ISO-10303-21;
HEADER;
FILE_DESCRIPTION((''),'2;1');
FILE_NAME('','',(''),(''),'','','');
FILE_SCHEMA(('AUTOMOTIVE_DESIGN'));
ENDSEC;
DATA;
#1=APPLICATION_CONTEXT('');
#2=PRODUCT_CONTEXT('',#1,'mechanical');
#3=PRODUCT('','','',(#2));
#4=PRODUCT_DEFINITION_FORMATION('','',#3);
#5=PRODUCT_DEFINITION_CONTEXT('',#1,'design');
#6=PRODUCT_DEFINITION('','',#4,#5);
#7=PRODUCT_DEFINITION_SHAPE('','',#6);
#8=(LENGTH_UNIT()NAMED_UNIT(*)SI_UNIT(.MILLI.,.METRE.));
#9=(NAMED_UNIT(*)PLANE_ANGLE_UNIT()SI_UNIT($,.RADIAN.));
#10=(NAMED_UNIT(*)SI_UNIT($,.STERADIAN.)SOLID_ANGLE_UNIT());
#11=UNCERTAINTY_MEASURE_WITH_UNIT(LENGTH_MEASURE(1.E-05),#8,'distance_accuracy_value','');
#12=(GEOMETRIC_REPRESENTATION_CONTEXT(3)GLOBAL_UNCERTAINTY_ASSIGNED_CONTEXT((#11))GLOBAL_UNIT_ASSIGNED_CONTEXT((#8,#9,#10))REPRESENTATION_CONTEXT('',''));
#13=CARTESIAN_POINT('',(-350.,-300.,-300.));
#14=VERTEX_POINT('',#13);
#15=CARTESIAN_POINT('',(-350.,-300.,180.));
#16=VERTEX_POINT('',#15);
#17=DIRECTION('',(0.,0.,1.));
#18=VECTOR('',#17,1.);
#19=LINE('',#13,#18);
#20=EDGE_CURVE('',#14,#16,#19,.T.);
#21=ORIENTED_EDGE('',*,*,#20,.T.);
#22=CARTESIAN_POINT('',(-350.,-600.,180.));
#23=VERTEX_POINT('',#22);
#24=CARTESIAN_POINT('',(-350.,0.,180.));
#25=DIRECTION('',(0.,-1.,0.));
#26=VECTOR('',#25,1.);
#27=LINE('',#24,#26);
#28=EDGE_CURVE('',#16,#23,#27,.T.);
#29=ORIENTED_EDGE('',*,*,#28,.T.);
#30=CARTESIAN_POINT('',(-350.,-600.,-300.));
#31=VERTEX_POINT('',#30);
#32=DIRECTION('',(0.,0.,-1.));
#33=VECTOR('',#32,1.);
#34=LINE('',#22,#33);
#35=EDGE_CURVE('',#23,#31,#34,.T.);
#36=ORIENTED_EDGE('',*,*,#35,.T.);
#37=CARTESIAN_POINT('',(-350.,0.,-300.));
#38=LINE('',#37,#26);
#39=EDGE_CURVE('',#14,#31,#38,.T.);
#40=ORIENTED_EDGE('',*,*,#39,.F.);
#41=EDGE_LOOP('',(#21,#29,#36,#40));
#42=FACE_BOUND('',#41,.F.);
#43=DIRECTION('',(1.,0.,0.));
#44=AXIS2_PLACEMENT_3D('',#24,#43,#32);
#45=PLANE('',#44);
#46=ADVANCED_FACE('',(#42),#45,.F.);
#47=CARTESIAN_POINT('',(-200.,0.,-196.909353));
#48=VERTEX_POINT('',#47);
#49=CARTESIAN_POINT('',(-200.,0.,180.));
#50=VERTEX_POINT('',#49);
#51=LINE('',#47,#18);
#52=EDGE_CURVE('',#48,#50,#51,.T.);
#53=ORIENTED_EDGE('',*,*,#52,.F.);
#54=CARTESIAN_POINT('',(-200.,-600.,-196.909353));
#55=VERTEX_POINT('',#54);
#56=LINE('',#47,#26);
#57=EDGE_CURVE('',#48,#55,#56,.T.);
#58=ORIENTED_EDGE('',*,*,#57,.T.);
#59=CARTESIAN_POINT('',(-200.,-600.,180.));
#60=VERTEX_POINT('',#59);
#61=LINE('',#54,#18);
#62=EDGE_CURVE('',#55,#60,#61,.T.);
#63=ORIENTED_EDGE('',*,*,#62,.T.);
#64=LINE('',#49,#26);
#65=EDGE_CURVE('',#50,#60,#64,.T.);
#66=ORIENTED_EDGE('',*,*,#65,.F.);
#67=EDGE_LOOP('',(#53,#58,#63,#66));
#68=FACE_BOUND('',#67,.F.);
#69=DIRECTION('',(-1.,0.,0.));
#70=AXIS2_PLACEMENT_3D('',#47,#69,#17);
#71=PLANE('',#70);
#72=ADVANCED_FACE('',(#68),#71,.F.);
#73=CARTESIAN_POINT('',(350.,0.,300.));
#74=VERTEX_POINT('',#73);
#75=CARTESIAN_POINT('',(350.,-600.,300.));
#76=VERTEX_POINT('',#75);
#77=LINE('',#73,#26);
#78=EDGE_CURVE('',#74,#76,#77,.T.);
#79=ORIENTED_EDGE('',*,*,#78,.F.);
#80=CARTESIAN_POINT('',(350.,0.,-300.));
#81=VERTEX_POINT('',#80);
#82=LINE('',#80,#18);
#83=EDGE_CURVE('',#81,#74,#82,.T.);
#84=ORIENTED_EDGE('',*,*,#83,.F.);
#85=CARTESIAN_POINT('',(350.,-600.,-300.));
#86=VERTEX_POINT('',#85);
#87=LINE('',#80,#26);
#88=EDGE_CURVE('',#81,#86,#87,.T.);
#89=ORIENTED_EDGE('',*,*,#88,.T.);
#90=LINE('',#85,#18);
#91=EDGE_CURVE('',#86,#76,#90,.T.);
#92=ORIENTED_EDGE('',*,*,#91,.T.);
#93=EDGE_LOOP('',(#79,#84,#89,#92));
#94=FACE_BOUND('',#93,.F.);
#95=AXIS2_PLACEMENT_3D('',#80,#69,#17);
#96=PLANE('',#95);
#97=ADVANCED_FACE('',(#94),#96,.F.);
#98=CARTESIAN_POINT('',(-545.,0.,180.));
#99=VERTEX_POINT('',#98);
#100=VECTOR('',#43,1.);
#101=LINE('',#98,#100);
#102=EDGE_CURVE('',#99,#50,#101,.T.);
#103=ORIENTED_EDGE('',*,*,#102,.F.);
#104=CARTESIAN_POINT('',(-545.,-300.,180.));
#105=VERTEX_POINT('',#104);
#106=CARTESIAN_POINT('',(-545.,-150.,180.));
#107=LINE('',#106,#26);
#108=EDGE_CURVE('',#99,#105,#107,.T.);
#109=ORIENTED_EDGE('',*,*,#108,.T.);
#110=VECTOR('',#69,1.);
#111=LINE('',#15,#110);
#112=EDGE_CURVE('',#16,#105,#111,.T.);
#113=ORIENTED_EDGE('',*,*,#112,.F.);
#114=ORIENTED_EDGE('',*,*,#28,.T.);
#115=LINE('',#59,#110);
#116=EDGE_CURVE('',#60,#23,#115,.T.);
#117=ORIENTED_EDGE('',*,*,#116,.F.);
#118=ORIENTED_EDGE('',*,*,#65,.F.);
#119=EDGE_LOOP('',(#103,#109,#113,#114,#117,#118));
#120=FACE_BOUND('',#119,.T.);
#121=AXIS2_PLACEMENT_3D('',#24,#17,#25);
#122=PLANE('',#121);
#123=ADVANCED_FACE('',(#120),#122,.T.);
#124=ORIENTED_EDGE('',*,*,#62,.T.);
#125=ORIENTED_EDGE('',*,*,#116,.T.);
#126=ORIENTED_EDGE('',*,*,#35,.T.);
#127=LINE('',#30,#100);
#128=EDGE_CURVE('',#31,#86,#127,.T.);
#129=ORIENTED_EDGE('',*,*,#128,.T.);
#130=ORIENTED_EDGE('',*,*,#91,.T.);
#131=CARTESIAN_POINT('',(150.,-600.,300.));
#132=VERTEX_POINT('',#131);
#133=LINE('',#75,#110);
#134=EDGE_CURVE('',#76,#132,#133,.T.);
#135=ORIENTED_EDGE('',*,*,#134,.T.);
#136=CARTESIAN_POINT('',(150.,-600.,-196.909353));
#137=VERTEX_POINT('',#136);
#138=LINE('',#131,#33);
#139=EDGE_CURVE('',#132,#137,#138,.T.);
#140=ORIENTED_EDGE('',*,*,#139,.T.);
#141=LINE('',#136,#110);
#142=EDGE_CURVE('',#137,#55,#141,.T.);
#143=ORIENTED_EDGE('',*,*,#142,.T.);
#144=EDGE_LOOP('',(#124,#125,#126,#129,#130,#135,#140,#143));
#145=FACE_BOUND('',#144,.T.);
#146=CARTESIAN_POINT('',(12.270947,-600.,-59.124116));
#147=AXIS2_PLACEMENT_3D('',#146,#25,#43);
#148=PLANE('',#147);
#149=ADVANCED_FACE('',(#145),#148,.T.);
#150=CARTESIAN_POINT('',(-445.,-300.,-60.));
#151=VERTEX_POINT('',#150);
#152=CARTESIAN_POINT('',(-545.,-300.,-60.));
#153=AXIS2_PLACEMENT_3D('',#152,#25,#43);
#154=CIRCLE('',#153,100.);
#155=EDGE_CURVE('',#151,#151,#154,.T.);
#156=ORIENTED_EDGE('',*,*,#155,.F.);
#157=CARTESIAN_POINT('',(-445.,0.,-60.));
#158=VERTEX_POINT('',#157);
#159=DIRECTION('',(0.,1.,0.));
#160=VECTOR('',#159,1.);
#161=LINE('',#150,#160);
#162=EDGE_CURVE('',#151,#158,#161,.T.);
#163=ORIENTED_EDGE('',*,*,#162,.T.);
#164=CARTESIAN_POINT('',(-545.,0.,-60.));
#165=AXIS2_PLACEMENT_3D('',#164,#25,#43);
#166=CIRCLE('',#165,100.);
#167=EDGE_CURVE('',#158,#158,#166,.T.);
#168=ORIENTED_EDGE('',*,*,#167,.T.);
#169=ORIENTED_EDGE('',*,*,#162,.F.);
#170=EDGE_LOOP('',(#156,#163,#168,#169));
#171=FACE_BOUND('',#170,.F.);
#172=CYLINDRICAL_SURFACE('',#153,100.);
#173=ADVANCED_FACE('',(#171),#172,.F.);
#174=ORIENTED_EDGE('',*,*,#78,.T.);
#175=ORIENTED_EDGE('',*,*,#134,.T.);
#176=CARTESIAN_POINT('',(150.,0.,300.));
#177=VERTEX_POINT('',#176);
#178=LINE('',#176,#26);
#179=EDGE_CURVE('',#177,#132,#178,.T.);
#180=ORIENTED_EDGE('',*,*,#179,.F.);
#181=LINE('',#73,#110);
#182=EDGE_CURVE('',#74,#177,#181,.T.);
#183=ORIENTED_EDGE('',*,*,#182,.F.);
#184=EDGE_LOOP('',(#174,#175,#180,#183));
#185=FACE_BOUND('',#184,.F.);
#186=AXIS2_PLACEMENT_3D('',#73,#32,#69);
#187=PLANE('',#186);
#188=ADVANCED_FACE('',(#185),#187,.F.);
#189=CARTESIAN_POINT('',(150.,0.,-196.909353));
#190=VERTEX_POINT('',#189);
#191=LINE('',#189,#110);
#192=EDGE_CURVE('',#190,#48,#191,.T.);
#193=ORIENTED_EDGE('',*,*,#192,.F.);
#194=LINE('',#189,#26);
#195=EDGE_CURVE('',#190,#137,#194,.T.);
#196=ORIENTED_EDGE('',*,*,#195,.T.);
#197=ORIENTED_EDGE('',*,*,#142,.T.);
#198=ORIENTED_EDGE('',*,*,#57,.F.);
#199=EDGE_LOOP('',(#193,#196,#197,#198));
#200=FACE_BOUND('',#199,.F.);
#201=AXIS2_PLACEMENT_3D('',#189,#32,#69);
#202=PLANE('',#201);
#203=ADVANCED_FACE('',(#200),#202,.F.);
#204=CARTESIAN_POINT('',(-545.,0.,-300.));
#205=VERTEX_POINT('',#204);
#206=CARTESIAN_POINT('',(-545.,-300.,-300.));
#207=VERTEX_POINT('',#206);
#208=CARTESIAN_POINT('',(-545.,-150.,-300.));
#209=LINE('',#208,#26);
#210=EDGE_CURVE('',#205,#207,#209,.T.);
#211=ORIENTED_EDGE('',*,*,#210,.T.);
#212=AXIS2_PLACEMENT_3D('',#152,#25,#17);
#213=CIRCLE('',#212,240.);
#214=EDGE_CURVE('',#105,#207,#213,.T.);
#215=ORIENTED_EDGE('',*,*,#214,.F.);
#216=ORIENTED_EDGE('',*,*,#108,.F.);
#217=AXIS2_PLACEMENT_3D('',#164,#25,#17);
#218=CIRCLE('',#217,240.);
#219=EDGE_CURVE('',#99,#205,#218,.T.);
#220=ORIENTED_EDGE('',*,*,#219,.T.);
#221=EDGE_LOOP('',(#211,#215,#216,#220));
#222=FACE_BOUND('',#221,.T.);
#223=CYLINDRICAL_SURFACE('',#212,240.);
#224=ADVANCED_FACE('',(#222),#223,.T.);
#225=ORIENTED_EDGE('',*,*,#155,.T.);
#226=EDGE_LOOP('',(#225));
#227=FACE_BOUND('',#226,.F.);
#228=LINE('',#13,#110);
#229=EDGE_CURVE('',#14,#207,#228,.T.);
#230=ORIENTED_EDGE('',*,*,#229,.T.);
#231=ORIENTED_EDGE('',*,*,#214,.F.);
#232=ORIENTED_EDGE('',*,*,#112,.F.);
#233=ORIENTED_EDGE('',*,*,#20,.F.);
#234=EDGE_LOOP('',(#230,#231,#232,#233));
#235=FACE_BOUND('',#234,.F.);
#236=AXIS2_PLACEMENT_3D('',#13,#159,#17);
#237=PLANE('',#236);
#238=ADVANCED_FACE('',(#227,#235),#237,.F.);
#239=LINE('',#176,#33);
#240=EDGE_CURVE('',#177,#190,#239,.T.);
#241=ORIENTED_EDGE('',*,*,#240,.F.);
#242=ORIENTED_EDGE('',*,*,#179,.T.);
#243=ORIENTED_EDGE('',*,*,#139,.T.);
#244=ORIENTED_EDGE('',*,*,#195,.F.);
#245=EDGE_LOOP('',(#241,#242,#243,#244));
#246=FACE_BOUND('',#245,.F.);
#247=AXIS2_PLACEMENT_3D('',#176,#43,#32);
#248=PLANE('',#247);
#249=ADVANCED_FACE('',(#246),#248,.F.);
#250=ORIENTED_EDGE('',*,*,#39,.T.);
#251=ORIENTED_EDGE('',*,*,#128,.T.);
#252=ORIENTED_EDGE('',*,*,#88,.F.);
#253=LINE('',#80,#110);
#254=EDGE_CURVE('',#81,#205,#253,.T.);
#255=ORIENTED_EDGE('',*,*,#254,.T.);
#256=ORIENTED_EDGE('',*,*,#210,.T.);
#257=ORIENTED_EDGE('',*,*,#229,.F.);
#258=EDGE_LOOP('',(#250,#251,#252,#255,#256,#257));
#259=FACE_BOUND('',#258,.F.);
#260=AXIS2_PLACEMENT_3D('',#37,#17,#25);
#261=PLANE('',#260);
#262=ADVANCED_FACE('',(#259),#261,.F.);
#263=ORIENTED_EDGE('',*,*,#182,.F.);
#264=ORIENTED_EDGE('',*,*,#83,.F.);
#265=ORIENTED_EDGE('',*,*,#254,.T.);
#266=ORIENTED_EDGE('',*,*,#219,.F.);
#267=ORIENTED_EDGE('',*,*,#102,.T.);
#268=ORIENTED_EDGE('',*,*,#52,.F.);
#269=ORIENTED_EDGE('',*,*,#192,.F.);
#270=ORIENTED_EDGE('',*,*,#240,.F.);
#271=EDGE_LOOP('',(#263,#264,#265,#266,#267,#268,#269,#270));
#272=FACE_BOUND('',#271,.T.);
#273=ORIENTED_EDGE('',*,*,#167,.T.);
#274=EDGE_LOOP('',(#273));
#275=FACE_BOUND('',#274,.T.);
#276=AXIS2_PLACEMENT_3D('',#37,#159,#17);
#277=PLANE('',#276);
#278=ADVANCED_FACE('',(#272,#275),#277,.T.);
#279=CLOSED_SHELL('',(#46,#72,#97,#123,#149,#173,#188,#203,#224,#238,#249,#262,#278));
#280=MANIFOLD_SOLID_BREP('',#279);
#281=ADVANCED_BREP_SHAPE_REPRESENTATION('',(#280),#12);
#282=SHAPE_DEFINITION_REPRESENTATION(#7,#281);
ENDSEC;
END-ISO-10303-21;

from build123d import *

# Parameters (mm, degrees)
F1_DEPTH = 600
F2_W     = 300
F2_H     = 480
F3_DEPTH = 195
F5_DEPTH = 300
F6_R     = 100
F7_DEPTH = 300.001


with BuildPart() as f1:
    # F0 (on Front) → F1 (new body)
    with BuildSketch(Plane.XZ):
        Polygon((-350, 180), (-350, -300), (350, -300), (350, 300), (150, 300), (150, -196.909353), (-200, -196.909353), (-200, 180), align=None)
    extrude(amount=F1_DEPTH)

    # F2 (on face) → F3 (join)
    with BuildSketch(Plane(origin=(-350, 0, 0), x_dir=(0, -1, 0), z_dir=(-1, 0, 0))):
        with Locations((150, -60)):
            Rectangle(F2_W, F2_H)
    extrude(amount=F3_DEPTH)

    # F4 (on face) → F5 (join)
    with BuildSketch(Plane.XZ.offset(300)):
        with BuildLine():
            ThreePointArc((-545, -300), (-375.294373, -229.705627), (-305, -60))
            ThreePointArc((-305, -60), (-375.294373, 109.705627), (-545, 180))
            Line((-545, 180), (-545, -300))
        make_face()
        with BuildLine():
            Line((-545, -300), (-545, 180))
            ThreePointArc((-545, 180), (-785, -60), (-545, -300))
        make_face()
    extrude(amount=-F5_DEPTH)

    # F6 (on face) → F7 (cut, through all)
    with BuildSketch(Plane.XZ.offset(300)):
        with Locations((-545, -60)):
            Circle(F6_R)
    extrude(amount=-F7_DEPTH, mode=Mode.SUBTRACT)


solid = f1.part
